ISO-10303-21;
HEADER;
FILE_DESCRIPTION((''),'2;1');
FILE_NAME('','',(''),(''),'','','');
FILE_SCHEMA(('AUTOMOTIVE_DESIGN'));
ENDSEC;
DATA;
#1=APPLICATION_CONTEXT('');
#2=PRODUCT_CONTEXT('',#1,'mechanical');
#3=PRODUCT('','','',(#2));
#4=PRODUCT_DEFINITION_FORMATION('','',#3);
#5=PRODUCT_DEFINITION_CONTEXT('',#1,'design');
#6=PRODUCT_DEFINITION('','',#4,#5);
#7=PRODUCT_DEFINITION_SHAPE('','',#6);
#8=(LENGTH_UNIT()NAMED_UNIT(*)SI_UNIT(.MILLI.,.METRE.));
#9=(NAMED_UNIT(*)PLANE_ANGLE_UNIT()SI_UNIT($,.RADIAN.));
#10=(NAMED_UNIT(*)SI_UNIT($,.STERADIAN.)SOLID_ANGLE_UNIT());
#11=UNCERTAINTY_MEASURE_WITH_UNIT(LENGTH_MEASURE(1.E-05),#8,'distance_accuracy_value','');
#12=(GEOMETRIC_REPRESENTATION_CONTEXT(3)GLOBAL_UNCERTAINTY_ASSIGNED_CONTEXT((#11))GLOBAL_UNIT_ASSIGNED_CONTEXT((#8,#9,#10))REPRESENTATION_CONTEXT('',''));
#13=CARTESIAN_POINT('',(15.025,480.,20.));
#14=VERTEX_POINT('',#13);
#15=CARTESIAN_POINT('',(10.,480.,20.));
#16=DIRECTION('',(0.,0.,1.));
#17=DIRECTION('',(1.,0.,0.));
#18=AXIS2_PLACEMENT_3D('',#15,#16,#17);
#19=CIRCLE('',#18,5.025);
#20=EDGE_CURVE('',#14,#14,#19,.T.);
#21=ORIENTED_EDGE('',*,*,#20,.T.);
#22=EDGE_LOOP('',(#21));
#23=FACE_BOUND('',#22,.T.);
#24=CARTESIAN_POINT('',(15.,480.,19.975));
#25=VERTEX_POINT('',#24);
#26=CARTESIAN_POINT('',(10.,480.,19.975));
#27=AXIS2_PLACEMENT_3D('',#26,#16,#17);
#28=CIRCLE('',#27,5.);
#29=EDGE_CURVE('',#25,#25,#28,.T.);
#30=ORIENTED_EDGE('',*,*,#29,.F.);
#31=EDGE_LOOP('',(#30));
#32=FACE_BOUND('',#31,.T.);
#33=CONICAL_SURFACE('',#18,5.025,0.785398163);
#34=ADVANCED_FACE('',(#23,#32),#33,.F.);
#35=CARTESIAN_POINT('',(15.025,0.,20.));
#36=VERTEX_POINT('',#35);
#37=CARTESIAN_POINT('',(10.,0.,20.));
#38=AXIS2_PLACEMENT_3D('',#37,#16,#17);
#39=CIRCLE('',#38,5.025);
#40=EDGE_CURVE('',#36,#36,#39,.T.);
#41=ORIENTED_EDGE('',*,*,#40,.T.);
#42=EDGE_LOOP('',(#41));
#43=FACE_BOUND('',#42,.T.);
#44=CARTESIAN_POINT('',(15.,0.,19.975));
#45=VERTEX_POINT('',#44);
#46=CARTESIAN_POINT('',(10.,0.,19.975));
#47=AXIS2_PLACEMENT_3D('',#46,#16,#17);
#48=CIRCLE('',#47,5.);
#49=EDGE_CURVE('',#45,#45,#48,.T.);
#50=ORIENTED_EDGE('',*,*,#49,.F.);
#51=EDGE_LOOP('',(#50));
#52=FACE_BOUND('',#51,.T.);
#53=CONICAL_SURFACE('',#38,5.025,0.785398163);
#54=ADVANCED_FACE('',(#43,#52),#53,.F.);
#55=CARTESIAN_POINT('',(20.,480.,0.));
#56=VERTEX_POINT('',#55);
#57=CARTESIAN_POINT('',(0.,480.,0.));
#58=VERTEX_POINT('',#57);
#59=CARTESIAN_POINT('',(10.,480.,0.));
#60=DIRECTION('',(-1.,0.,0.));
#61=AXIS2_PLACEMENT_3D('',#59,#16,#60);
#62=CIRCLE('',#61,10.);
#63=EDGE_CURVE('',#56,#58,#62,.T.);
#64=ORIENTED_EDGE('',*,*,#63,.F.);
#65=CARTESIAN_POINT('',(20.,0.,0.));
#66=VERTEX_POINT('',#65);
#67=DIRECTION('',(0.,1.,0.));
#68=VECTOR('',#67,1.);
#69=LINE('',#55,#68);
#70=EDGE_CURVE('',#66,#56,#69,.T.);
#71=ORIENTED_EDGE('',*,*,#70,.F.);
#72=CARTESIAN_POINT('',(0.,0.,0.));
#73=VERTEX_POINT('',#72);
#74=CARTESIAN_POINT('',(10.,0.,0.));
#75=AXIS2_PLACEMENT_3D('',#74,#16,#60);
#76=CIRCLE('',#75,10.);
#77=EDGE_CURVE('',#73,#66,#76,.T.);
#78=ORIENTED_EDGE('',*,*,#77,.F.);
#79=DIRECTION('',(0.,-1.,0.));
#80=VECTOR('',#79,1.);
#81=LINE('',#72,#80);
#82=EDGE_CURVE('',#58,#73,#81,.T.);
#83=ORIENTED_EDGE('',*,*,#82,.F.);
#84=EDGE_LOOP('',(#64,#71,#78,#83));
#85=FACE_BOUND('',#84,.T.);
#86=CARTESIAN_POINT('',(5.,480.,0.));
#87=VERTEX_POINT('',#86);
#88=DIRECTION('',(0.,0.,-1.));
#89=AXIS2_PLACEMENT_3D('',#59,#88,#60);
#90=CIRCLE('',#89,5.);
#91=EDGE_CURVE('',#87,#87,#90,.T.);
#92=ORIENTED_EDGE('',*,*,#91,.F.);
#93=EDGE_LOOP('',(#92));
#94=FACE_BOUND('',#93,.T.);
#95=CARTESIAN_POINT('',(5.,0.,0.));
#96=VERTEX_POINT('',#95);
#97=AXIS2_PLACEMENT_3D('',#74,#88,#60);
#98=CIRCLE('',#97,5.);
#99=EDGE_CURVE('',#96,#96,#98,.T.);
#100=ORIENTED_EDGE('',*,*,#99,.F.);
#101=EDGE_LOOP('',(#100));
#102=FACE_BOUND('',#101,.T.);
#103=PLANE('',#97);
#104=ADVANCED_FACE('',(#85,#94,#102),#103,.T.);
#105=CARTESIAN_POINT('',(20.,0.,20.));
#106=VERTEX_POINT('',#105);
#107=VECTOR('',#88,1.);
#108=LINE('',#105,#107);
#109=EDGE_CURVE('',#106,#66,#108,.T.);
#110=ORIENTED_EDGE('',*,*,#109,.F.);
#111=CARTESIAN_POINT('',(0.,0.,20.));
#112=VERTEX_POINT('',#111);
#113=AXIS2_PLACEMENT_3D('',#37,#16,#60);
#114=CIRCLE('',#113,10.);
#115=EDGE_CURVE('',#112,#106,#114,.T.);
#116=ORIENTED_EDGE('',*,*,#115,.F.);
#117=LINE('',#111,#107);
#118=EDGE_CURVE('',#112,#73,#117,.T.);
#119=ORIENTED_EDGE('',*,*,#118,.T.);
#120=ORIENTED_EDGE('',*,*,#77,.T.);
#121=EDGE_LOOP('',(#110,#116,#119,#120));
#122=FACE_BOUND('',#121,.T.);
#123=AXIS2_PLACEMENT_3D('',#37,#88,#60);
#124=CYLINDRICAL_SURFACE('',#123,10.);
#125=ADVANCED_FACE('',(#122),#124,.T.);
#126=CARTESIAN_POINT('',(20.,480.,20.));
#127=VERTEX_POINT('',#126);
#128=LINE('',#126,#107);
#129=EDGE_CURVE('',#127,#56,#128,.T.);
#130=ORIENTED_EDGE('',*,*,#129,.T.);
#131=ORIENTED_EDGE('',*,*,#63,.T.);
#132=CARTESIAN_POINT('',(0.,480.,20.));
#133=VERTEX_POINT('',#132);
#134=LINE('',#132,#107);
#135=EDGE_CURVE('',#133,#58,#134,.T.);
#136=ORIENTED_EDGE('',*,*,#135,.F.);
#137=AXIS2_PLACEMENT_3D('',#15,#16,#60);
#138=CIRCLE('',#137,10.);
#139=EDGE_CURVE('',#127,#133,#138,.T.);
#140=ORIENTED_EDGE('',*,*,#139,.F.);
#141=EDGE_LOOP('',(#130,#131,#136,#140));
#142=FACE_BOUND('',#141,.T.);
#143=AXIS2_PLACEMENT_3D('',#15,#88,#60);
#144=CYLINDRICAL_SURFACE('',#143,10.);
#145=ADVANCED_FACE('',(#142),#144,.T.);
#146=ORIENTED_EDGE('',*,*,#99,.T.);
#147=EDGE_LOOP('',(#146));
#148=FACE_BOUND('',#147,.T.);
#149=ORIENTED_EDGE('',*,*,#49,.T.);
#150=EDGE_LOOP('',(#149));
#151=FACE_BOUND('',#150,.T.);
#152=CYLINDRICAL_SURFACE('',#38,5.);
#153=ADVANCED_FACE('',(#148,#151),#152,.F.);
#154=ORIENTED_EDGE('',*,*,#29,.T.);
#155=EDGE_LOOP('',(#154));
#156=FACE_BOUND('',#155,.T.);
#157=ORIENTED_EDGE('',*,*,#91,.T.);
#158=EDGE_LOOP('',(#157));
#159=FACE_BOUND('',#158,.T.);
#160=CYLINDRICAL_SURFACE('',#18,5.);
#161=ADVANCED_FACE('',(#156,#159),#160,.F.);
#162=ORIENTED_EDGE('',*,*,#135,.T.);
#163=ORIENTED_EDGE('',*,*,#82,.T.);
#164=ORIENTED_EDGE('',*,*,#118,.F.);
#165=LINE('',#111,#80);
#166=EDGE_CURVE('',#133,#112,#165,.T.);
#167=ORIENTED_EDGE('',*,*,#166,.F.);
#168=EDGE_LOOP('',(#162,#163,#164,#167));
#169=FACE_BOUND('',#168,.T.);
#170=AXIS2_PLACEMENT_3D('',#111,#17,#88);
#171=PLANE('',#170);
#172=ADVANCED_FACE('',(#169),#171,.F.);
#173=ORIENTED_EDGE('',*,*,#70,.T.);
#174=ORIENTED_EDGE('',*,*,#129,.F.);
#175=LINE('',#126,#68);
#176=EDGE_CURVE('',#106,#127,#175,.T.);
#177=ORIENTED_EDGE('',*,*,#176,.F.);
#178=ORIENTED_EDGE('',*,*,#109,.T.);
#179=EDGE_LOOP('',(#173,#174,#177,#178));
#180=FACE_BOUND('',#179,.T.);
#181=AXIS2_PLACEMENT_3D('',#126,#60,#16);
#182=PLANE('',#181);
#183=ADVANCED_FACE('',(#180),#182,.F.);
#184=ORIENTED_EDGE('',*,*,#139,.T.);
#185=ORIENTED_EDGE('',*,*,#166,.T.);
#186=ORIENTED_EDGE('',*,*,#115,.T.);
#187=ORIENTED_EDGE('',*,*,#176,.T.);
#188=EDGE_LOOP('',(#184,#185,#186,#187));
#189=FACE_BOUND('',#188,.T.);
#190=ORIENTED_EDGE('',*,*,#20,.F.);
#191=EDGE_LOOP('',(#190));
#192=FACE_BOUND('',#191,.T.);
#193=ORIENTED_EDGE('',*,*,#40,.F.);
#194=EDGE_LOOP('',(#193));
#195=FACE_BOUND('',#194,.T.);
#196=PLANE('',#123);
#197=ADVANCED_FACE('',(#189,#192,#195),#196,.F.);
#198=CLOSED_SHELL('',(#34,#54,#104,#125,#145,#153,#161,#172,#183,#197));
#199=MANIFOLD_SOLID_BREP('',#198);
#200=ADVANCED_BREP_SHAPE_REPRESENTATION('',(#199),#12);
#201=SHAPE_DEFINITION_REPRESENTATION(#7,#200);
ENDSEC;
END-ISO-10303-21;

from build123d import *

# Parameters (mm, degrees)
BOSS_EXTRUDE1_DEPTH              = 20
F_10_0MM_DOWEL_HOLE1_D           = 10
F_10_0MM_DOWEL_HOLE1_DEPTH       = 20
F_10_0MM_DOWEL_HOLE1_CSINK_D     = 10.05
F_10_0MM_DOWEL_HOLE1_CSINK_ANGLE = 90


with BuildPart() as part:
    # Sketch1 → Boss-Extrude1 (new body)
    with BuildSketch(Plane.XY):
        with BuildLine():
            Line((0, 0), (0, 480))
            ThreePointArc((0, 480), (10, 490), (20, 480))
            Line((20, 480), (20, 0))
            ThreePointArc((20, 0), (10, -10), (0, 0))
        make_face()
    extrude(amount=BOSS_EXTRUDE1_DEPTH)

    # Ø10.0mm Dowel Hole1
    with Locations(Plane.XY.offset(20)):
        with Locations((10, 480), (10, 0)):
            CounterSinkHole(F_10_0MM_DOWEL_HOLE1_D / 2, F_10_0MM_DOWEL_HOLE1_CSINK_D / 2, depth=F_10_0MM_DOWEL_HOLE1_DEPTH, counter_sink_angle=F_10_0MM_DOWEL_HOLE1_CSINK_ANGLE)


solid = part.part
